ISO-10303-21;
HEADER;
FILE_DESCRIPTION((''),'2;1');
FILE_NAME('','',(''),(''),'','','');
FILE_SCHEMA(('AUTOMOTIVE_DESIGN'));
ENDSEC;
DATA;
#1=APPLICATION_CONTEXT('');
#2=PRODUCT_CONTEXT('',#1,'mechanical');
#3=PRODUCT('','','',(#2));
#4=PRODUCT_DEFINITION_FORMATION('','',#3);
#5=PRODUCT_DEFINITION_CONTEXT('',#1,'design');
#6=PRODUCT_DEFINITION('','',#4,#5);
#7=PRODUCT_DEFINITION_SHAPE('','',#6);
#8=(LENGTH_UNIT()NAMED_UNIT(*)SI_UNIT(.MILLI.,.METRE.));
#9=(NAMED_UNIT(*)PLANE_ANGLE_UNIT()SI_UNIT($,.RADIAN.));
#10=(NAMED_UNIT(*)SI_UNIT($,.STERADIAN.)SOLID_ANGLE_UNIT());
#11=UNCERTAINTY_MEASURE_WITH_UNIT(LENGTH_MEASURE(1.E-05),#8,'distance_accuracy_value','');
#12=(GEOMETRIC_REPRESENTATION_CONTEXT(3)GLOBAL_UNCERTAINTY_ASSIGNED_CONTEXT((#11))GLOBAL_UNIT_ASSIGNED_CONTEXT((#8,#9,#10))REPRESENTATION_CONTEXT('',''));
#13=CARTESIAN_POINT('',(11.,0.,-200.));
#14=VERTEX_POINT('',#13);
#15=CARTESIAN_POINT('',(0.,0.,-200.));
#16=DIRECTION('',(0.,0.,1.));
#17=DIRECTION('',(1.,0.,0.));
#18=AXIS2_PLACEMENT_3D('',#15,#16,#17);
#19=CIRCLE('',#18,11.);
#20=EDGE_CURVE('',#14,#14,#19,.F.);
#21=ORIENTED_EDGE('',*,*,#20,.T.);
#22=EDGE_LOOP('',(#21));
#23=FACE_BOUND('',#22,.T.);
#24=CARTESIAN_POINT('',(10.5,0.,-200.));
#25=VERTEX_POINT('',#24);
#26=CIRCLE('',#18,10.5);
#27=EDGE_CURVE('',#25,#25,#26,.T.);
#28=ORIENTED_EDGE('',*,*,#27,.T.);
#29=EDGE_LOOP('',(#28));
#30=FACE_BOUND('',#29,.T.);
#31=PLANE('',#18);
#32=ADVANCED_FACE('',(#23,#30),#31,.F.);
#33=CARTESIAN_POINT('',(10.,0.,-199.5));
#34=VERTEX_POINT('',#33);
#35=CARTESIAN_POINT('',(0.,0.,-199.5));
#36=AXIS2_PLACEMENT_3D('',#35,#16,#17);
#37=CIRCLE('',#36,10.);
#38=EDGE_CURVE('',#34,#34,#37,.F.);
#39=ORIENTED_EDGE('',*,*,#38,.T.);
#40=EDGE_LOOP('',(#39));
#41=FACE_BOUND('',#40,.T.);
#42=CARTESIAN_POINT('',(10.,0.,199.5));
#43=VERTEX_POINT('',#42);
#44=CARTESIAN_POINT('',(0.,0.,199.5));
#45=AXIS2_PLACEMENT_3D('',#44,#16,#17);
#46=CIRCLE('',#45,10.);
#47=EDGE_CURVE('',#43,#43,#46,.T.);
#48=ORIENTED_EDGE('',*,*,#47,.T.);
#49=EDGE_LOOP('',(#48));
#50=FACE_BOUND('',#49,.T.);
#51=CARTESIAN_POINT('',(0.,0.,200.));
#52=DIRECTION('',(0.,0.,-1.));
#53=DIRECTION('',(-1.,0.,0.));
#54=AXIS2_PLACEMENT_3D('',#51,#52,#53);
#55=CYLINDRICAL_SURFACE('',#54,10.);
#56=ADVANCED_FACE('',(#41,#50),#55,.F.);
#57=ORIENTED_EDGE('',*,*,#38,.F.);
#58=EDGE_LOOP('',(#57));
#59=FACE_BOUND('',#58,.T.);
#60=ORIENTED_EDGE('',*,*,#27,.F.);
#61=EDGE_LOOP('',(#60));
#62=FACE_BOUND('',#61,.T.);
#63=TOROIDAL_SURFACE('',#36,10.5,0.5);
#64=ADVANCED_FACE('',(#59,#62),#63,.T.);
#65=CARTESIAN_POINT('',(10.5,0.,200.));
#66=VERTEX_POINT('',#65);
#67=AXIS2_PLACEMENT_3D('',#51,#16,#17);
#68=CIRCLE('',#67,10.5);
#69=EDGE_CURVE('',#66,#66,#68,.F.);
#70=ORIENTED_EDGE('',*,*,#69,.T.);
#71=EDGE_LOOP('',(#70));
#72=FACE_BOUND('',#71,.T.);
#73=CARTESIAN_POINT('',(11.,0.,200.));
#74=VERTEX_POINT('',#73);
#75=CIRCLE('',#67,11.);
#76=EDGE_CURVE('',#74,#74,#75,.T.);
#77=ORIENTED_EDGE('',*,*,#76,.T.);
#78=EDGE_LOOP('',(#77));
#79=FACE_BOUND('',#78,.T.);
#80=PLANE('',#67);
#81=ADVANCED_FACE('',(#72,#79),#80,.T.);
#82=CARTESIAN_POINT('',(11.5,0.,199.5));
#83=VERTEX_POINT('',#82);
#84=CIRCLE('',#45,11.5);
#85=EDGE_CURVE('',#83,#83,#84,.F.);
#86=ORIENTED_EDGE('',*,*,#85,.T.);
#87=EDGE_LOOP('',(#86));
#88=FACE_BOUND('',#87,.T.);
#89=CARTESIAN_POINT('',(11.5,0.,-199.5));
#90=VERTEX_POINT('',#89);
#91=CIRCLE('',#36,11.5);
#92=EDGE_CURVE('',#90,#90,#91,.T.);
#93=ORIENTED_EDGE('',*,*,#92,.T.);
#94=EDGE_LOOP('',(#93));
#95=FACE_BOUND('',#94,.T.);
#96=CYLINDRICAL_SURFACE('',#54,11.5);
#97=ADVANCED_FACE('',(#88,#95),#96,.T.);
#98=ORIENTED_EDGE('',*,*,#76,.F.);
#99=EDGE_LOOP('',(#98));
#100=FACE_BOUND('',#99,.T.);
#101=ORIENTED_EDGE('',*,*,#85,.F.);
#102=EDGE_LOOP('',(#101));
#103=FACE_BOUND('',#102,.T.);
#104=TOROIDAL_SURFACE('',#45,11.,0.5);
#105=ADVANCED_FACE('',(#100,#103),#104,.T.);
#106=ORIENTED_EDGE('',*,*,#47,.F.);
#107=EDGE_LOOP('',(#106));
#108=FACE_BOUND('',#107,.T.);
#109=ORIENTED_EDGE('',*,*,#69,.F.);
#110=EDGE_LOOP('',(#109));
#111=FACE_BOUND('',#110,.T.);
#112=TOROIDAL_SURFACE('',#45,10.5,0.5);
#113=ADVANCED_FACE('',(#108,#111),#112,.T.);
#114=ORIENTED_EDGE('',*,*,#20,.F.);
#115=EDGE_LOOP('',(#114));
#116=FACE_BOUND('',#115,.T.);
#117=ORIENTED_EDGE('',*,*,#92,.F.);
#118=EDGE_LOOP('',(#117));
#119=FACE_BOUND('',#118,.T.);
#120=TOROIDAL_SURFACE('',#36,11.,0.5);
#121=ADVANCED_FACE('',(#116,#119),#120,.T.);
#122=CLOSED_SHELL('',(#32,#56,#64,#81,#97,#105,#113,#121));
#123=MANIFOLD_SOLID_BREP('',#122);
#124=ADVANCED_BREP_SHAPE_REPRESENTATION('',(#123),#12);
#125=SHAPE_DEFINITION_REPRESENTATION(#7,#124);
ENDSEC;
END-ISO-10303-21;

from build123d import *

# Parameters (mm, degrees)
SKETCH1_R           = 11.5
SKETCH1_R_2         = 10
BOSS_EXTRUDE1_DEPTH = 200
FILLET1_R           = 0.5


with BuildPart() as part:
    # Sketch1 → Boss-Extrude1 (new body, symmetric)
    with BuildSketch(Plane.XY):
        Circle(SKETCH1_R)
        Circle(SKETCH1_R_2, mode=Mode.SUBTRACT)
    extrude(amount=BOSS_EXTRUDE1_DEPTH, both=True)

    # Fillet1
    fillet1_edges = [part.edges().sort_by_distance(p)[0] for p in [
        (-11.5, 0, -200),
        (-11.5, 0, 200),
        (-10, 0, -200),
        (-10, 0, 200),
    ]]
    fillet(fillet1_edges, radius=FILLET1_R)


solid = part.part
